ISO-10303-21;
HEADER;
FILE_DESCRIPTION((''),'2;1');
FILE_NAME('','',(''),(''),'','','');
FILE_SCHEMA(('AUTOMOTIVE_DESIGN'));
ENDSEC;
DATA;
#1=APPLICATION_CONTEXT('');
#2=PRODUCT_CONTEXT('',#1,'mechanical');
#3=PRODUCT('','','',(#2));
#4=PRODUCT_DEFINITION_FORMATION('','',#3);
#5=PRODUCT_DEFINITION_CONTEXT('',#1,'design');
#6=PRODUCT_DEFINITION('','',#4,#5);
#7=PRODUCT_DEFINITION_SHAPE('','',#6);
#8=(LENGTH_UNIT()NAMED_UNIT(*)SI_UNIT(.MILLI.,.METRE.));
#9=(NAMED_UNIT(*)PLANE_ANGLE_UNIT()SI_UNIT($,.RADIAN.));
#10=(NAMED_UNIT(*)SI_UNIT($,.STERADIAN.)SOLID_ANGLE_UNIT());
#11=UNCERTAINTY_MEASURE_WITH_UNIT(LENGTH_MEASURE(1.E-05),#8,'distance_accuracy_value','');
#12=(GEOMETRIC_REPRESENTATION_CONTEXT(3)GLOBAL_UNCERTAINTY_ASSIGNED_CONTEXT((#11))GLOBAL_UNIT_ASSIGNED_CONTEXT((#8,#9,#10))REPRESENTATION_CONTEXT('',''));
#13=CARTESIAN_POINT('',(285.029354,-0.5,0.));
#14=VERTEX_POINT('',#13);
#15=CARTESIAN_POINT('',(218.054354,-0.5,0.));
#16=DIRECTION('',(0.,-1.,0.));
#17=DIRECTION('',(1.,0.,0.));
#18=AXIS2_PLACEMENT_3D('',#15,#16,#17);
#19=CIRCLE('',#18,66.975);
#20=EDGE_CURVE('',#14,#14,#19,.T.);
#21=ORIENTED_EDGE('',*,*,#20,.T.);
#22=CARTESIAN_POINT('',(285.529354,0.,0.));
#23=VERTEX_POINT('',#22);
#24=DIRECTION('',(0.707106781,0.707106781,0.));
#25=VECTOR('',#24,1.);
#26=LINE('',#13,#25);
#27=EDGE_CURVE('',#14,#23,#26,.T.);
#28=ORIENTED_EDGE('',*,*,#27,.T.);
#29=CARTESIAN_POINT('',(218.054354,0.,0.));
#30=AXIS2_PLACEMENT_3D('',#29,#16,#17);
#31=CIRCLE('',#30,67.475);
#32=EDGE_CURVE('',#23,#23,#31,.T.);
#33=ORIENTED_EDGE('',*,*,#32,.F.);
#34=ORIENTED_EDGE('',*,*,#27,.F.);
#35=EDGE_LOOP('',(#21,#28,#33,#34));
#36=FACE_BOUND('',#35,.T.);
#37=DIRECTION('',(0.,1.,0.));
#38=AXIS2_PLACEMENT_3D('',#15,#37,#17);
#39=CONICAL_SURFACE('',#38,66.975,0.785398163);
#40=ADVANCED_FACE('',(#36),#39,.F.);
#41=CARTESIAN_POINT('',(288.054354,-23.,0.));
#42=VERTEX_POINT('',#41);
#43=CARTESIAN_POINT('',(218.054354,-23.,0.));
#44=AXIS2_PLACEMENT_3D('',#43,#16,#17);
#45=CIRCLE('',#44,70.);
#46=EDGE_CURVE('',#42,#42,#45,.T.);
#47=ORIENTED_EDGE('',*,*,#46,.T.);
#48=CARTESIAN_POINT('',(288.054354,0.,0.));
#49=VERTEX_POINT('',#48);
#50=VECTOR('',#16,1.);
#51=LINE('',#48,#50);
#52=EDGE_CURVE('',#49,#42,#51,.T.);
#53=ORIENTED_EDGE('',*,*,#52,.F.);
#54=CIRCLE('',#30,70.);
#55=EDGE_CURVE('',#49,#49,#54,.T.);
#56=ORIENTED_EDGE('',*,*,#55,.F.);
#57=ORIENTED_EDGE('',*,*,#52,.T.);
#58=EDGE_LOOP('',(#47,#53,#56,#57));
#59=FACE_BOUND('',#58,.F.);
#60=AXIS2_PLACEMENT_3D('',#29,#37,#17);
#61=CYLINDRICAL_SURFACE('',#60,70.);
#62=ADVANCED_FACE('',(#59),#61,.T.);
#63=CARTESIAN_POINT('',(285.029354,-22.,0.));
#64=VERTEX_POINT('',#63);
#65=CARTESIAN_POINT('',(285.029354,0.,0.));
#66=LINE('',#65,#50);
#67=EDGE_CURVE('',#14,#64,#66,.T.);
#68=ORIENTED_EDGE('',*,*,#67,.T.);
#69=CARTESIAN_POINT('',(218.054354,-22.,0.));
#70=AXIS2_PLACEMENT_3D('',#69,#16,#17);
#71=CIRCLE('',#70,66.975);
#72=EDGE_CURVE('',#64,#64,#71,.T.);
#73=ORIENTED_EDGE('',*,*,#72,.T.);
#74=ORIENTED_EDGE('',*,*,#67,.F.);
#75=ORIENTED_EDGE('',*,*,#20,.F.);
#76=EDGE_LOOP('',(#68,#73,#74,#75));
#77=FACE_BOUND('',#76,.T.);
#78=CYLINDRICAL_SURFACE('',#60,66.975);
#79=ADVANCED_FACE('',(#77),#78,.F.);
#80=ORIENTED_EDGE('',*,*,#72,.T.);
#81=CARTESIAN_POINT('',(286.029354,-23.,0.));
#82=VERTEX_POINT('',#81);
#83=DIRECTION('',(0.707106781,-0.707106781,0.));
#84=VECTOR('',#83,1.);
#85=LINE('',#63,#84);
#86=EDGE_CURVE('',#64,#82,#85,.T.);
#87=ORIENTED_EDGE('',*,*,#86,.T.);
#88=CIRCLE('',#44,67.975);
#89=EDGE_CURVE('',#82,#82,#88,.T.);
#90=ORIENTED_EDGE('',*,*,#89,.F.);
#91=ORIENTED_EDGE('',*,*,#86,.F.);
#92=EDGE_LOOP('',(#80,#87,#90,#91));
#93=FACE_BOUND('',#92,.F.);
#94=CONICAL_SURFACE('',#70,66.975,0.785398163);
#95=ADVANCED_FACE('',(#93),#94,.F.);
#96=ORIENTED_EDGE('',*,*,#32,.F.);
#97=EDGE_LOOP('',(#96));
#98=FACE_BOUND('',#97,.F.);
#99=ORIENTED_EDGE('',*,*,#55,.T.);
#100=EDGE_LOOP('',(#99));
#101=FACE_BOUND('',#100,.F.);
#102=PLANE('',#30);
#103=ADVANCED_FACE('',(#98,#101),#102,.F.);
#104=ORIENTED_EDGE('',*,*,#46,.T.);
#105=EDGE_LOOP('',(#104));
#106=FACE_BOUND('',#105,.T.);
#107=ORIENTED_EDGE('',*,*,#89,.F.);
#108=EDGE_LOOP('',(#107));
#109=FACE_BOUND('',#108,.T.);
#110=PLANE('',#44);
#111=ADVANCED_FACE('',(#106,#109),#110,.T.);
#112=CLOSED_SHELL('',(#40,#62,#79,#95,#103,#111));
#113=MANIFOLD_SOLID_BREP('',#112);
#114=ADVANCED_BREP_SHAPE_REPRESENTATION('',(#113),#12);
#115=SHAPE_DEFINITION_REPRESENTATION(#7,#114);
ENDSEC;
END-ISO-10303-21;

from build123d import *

# Parameters (mm, degrees)
F0_R     = 70
F0_R_2   = 66.975
F1_DEPTH = 23
F2_SIZE  = 1
F3_SIZE  = 0.5


with BuildPart() as f1:
    # F0 (on Front) → F1 (new body)
    with BuildSketch(Plane.XZ):
        with Locations((218.054354, 0)):
            Circle(F0_R)
        with Locations((218.054354, 0)):
            Circle(F0_R_2, mode=Mode.SUBTRACT)
    extrude(amount=F1_DEPTH)

    # F2
    f2_edges = [f1.edges().sort_by_distance(p)[0] for p in [
        (151.079354, -23, 0),
    ]]
    chamfer(f2_edges, length=F2_SIZE)

    # F3
    f3_edges = [f1.edges().sort_by_distance(p)[0] for p in [
        (151.079354, 0, 0),
    ]]
    chamfer(f3_edges, length=F3_SIZE)


solid = f1.part
